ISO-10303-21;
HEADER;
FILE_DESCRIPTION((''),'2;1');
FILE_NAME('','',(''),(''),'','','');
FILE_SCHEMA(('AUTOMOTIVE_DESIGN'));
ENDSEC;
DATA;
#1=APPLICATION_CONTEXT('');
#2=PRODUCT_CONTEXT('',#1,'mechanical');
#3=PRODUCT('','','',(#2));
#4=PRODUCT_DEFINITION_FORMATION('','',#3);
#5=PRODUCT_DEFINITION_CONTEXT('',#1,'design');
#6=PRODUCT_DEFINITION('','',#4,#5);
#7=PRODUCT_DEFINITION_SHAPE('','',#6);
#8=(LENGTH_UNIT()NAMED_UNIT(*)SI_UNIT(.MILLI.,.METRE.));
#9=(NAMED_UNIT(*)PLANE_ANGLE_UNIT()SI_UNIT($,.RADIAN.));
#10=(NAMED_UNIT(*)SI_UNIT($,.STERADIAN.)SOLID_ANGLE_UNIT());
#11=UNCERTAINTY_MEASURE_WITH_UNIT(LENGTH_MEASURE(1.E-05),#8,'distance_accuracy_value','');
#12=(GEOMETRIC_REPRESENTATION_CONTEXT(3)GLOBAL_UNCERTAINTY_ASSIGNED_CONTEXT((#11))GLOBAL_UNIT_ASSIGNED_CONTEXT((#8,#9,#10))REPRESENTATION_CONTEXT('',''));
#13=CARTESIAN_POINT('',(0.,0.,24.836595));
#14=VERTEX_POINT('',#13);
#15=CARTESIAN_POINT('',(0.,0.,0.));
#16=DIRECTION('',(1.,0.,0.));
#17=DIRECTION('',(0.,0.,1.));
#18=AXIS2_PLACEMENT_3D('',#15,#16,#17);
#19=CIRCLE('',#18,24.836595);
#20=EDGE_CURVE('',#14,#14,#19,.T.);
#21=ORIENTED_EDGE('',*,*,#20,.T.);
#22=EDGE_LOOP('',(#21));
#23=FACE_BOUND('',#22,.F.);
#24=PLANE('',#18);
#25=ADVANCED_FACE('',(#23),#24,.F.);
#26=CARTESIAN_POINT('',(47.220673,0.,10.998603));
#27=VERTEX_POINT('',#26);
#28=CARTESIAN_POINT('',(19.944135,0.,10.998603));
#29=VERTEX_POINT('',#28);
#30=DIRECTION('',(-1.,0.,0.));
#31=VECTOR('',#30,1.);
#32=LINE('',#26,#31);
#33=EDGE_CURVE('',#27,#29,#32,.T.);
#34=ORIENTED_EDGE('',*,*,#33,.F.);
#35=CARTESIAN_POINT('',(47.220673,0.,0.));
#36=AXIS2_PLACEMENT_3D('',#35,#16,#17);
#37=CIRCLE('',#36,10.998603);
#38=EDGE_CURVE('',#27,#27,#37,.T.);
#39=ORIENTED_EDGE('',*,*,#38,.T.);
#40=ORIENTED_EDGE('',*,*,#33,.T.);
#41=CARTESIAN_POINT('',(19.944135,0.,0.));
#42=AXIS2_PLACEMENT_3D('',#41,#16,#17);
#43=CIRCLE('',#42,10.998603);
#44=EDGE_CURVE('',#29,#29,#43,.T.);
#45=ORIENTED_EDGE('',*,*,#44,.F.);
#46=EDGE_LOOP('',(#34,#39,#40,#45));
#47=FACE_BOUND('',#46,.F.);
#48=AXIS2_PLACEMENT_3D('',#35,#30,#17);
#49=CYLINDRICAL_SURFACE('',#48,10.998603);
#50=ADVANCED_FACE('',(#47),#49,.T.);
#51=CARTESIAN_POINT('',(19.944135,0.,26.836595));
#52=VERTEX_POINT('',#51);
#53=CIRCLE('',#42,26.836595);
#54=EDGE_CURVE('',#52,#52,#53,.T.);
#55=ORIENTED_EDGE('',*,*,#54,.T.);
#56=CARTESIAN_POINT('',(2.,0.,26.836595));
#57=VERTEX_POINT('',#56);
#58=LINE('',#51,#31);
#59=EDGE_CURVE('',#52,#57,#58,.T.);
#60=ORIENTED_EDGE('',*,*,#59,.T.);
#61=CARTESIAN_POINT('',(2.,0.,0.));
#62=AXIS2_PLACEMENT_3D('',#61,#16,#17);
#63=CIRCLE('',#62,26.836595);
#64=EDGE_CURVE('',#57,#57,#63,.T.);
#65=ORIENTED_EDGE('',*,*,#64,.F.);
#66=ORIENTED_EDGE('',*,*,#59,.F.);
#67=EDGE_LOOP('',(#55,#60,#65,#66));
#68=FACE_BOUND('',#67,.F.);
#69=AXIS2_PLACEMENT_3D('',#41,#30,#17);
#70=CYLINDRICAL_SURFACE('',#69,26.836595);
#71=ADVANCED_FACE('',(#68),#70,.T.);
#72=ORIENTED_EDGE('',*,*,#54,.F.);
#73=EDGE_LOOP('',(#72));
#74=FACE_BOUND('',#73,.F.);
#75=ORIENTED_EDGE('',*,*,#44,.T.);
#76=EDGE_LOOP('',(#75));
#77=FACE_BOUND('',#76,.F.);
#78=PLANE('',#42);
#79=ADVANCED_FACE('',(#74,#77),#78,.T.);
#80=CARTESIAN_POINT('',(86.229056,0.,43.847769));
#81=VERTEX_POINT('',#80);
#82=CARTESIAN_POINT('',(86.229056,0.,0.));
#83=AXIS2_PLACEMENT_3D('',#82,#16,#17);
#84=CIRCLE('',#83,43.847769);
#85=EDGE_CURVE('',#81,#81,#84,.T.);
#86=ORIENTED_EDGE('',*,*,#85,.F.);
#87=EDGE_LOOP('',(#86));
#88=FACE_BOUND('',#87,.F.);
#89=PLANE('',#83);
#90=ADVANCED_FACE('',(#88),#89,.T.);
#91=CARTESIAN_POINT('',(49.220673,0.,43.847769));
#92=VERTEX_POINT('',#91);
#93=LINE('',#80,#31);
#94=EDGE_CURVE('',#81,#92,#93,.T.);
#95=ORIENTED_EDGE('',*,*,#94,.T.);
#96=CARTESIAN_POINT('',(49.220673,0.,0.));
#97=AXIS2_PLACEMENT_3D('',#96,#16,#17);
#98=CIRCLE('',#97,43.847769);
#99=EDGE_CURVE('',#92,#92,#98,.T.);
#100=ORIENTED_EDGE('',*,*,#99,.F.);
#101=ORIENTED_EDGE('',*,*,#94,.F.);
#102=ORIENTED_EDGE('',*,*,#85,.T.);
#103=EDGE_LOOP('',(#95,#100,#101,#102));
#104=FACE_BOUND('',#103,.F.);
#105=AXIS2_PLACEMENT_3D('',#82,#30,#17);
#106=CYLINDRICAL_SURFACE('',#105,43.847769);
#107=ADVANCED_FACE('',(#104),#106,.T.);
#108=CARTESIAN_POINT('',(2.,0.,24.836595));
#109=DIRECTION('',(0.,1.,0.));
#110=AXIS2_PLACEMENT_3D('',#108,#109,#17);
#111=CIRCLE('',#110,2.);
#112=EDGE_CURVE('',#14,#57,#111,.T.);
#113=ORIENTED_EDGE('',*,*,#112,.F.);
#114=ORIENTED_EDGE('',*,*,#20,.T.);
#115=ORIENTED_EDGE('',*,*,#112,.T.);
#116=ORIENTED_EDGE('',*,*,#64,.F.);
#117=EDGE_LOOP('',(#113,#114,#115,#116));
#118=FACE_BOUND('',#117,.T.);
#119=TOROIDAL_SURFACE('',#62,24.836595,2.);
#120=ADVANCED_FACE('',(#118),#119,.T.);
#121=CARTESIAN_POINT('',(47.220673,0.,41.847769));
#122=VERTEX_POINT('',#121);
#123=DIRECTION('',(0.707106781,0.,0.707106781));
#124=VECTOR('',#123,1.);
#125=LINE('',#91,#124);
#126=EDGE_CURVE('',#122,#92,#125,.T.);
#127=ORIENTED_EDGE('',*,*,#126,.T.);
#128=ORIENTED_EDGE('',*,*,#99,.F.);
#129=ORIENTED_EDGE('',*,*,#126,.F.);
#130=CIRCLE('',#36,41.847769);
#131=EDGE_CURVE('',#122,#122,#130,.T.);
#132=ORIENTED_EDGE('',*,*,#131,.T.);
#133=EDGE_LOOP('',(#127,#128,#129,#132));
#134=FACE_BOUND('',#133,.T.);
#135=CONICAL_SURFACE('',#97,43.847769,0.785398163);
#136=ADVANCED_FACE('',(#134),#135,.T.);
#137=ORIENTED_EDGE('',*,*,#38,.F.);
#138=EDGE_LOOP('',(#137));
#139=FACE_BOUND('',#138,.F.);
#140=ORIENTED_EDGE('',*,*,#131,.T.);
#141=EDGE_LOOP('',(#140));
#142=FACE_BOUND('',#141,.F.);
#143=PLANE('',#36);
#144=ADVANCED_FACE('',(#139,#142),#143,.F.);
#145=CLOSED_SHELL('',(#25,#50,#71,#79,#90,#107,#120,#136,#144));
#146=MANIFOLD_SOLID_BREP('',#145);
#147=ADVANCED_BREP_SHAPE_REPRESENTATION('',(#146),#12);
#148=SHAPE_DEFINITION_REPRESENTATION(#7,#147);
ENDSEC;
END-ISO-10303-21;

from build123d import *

# Parameters (mm, degrees)
F2_R    = 2
F3_SIZE = 2


with BuildPart() as f1:
    # F0 (on Front) → F1 (revolve)
    with BuildSketch(Plane.XZ):
        Polygon((0, 26.836595), (0, 0), (86.229056, 0), (86.229056, 43.847769), (47.220673, 43.847769), (47.220673, 10.998603), (19.944135, 10.998603), (19.944135, 26.836595), align=None)
    revolve(axis=Axis((43.114528, 0, 0), (1, 0, 0)))

    # F2
    f2_edges = [f1.edges().sort_by_distance(p)[0] for p in [
        (0, 0, -26.836595),
    ]]
    fillet(f2_edges, radius=F2_R)

    # F3
    f3_edges = [f1.edges().sort_by_distance(p)[0] for p in [
        (47.220673, 0, -43.847769),
    ]]
    chamfer(f3_edges, length=F3_SIZE)


solid = f1.part
